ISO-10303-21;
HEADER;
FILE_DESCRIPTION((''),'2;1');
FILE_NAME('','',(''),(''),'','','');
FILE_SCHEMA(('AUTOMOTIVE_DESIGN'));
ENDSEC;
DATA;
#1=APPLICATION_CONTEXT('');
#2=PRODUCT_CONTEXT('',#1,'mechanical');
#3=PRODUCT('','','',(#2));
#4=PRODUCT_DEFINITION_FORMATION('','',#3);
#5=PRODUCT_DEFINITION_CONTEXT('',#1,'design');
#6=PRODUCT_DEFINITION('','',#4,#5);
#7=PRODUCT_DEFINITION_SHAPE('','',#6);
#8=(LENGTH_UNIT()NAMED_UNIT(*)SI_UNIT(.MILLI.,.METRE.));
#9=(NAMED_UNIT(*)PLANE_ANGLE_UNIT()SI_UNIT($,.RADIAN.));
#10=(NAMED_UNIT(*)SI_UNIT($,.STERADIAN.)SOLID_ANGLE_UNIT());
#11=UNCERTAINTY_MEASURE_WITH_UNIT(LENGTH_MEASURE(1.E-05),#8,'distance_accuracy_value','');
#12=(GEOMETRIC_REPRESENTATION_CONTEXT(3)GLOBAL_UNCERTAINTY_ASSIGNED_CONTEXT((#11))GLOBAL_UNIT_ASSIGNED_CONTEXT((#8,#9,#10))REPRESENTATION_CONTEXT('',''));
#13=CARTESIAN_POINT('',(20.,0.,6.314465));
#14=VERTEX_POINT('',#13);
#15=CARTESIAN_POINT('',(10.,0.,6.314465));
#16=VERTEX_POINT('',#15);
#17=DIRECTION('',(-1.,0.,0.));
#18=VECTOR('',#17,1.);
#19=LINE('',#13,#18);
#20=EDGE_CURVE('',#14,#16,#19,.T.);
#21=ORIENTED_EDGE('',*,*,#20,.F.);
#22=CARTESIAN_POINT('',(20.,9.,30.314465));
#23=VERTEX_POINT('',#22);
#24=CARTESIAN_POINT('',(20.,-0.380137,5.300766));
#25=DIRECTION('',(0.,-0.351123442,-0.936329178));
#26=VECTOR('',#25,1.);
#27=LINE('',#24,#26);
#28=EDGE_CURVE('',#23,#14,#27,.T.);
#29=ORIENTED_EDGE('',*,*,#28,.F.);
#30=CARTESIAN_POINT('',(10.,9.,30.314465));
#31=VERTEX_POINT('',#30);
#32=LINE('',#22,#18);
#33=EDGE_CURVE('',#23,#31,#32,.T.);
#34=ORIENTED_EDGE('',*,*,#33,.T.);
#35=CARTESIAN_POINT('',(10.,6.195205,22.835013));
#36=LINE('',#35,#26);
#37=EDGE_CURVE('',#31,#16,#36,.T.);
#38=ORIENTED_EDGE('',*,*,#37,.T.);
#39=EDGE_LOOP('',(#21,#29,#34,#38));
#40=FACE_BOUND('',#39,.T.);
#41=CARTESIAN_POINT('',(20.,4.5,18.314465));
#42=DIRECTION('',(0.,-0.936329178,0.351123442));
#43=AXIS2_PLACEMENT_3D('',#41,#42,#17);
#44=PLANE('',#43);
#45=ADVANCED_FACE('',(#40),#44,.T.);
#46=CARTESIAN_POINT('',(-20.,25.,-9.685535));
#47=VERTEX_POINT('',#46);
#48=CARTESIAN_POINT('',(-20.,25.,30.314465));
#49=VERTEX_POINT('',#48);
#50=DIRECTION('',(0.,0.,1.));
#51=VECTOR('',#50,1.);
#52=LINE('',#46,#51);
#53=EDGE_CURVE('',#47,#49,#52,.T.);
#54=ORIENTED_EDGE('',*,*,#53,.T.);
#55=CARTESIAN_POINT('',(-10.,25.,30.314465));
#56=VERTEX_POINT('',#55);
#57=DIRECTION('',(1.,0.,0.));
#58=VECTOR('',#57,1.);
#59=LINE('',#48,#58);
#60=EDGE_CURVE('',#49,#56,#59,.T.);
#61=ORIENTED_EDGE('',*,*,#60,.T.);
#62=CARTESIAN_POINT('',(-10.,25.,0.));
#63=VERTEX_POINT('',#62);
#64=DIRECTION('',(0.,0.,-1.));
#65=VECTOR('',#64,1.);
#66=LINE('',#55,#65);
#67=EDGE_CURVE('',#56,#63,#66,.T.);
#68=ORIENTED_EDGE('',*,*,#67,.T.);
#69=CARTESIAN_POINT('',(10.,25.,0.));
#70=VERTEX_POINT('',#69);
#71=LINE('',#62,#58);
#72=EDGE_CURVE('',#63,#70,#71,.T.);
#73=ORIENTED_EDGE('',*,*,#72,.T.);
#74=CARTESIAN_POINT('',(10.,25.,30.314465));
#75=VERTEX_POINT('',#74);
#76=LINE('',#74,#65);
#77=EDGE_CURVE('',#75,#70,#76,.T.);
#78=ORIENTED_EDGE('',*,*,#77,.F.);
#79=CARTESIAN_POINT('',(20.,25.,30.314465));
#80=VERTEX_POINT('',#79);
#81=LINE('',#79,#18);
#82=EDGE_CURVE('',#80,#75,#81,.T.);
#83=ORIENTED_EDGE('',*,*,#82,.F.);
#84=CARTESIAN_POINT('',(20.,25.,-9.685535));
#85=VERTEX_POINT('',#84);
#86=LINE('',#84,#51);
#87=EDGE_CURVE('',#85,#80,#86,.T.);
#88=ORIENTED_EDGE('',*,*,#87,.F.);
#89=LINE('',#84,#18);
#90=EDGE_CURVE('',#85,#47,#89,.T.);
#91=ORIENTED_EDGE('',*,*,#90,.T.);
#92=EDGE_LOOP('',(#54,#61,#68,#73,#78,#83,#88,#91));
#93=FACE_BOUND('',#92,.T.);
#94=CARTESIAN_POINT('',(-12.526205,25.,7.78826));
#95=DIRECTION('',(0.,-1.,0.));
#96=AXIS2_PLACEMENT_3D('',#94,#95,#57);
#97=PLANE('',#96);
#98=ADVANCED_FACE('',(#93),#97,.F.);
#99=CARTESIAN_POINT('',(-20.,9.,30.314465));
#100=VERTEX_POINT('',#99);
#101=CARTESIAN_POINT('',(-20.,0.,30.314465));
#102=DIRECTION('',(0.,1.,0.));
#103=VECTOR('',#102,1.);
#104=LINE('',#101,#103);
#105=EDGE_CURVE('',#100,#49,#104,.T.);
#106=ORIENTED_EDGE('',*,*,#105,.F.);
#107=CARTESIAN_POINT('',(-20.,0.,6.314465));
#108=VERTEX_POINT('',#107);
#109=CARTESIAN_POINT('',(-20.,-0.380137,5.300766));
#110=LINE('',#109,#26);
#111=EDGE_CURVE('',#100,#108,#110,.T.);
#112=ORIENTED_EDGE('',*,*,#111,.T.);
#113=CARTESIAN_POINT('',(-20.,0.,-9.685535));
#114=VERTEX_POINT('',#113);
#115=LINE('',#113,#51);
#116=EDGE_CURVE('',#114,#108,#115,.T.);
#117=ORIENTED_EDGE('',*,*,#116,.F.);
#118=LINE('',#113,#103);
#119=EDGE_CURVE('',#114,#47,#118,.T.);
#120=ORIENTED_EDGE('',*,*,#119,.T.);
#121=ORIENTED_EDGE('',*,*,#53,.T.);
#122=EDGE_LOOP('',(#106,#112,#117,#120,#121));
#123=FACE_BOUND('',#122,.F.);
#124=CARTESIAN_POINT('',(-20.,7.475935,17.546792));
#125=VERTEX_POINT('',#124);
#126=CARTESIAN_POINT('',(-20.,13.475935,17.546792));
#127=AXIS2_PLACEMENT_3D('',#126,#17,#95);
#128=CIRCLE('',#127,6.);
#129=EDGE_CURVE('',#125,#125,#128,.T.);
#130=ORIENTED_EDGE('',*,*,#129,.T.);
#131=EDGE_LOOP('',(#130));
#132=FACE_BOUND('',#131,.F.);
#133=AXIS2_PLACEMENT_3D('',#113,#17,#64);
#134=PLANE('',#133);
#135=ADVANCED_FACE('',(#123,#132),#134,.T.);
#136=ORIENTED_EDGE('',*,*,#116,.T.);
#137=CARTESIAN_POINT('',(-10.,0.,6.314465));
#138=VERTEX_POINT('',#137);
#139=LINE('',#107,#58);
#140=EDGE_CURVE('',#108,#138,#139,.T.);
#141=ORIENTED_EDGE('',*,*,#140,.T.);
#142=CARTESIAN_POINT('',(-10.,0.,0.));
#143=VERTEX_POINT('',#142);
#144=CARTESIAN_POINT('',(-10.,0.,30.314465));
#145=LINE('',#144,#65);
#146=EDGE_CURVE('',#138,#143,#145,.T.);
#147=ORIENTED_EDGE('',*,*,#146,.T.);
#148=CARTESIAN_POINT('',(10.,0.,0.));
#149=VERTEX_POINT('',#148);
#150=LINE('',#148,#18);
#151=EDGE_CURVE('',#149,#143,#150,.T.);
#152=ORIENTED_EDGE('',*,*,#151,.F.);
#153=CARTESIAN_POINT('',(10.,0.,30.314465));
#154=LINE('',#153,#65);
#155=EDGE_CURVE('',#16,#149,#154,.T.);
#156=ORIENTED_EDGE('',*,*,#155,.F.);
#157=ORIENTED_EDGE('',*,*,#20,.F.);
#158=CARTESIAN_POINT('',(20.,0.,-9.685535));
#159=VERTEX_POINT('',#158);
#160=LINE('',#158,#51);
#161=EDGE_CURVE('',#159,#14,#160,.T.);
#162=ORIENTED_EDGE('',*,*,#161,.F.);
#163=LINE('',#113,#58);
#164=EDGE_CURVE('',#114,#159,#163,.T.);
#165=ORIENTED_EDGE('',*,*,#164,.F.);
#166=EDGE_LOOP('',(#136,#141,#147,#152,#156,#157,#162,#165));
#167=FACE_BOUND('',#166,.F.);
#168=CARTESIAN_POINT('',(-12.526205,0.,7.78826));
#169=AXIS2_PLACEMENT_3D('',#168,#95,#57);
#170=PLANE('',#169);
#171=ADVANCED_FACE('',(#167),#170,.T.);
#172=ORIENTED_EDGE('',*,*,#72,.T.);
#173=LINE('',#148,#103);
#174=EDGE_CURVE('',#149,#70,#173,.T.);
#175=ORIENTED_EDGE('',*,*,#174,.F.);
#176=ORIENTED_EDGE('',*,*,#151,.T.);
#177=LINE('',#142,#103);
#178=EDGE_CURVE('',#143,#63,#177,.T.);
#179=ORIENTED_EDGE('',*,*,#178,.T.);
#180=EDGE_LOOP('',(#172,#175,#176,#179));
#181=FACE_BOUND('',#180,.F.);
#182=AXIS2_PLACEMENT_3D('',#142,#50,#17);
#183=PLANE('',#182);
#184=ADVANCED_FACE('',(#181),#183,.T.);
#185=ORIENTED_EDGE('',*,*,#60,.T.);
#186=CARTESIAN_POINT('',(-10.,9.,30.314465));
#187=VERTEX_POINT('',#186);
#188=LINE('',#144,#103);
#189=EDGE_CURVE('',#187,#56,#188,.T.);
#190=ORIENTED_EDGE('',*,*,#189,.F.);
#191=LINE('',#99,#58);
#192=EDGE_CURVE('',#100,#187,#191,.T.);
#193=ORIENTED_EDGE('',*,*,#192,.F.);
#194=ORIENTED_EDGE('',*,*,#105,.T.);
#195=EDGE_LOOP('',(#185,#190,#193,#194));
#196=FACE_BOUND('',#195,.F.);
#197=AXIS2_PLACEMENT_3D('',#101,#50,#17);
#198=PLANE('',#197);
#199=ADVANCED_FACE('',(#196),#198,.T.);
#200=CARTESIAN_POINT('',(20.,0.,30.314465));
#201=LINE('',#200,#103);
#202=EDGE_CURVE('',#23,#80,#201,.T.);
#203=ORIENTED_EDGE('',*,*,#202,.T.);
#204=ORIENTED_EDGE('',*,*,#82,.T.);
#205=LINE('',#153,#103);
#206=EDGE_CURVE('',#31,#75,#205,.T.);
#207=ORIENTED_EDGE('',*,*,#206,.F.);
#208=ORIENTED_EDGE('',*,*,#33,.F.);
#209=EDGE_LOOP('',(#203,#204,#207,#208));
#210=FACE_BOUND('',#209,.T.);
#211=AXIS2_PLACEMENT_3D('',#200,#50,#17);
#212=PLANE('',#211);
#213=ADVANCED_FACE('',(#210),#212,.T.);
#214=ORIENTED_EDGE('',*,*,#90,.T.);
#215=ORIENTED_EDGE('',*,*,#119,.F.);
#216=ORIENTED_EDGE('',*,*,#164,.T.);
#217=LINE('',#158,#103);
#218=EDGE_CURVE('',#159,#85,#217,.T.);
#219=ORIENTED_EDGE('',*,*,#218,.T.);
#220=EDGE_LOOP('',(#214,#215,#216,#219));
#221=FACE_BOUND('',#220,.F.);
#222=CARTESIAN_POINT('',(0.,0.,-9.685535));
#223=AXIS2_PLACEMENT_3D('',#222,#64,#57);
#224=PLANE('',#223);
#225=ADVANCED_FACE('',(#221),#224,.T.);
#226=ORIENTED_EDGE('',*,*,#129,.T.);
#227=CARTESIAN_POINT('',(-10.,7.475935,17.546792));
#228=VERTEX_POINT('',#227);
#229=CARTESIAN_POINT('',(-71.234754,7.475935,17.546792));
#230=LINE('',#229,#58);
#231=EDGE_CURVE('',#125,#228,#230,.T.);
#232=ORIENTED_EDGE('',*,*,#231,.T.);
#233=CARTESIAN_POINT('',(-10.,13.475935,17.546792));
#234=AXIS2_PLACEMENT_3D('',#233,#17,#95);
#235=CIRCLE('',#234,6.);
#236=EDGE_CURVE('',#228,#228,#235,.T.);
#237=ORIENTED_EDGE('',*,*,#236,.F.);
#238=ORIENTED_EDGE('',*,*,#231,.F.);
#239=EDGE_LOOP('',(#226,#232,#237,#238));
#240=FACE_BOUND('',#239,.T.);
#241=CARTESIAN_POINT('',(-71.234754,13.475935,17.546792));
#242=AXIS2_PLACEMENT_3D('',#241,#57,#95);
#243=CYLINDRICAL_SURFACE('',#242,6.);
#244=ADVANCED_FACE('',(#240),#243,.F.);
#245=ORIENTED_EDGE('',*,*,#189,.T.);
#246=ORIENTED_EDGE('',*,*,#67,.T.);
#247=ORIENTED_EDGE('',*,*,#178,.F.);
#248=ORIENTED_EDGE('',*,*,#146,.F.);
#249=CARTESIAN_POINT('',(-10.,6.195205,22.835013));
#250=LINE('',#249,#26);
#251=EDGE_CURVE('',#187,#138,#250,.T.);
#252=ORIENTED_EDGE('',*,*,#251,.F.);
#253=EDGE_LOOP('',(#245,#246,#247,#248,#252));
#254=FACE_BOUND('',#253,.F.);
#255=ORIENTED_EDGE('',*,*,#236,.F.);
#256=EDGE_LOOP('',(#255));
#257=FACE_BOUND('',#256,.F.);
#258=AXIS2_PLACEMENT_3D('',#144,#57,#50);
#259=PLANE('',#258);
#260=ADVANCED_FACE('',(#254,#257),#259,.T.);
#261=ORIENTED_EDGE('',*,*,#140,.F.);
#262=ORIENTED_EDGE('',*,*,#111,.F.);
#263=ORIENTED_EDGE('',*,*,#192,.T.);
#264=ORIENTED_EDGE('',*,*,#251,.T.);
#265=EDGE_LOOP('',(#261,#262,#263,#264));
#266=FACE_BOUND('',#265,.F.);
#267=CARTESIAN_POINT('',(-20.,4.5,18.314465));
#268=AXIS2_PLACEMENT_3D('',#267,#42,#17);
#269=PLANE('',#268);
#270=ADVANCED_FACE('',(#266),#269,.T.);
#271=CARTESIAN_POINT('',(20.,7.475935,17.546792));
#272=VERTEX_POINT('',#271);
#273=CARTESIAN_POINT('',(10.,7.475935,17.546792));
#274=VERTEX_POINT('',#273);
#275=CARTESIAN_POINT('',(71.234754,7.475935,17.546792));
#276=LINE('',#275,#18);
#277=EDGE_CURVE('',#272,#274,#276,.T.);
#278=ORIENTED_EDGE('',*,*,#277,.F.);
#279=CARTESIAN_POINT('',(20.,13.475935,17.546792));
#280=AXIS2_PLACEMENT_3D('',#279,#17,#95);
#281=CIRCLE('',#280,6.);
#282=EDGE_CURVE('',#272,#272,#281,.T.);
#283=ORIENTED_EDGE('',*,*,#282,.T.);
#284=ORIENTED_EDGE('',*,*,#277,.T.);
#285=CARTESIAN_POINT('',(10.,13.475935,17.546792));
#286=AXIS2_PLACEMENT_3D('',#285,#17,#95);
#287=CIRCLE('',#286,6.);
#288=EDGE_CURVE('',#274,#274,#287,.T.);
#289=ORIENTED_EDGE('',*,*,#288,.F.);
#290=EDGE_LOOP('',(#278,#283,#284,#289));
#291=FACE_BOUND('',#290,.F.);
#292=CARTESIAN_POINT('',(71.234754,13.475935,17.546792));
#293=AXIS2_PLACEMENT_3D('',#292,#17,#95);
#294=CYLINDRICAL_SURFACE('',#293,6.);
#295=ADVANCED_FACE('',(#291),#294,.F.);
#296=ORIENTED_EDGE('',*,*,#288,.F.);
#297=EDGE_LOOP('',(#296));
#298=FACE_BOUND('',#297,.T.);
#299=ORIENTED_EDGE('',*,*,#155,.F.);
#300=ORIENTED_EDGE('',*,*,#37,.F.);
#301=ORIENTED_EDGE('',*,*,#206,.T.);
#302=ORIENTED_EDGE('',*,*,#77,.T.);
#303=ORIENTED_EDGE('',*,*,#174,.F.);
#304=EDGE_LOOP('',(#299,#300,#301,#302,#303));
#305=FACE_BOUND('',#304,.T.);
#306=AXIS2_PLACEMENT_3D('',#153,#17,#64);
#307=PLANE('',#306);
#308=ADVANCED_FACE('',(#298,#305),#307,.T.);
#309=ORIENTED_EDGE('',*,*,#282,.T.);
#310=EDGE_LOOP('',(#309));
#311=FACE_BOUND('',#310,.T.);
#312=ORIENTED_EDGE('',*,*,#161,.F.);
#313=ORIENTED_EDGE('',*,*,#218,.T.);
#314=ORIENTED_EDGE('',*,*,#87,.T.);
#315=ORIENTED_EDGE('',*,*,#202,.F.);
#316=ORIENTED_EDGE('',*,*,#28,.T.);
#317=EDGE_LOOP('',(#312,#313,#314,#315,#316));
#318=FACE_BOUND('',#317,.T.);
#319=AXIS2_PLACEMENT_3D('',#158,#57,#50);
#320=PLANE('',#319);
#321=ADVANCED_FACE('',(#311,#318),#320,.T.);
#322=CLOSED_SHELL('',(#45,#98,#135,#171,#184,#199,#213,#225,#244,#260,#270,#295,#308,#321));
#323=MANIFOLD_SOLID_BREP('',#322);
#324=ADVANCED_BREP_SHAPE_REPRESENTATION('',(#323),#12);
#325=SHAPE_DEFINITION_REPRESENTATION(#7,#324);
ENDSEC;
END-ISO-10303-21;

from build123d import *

# Parameters (mm, degrees)
F1_DEPTH = 25
F3_D     = 12
F4_SIZE2 = 24
F4_SIZE  = 9


with BuildPart() as f1:
    # F0 (on Front) → F1 (new body)
    with BuildSketch(Plane.XZ):
        Polygon((10, 30.314465), (10, 0), (0, 0), (0, -9.685535), (20, -9.685535), (20, 30.314465), align=None)
    extrude(amount=-F1_DEPTH)

    # F3 (through all)
    with Locations(Plane.YZ.offset(20)):
        with Locations((13.475935, 17.546792)):
            Hole(F3_D / 2)

    # F4
    f4_edges = [f1.edges().sort_by_distance(p)[0] for p in [
        (15, 0, 30.314465),
    ]]
    chamfer(f4_edges, length=F4_SIZE, length2=F4_SIZE2)

    # F5: F1 across plane


with BuildPart() as f1_1:
    add(f1.part)
    add(f1.part.mirror(Plane.YZ))


solid = f1_1.part
